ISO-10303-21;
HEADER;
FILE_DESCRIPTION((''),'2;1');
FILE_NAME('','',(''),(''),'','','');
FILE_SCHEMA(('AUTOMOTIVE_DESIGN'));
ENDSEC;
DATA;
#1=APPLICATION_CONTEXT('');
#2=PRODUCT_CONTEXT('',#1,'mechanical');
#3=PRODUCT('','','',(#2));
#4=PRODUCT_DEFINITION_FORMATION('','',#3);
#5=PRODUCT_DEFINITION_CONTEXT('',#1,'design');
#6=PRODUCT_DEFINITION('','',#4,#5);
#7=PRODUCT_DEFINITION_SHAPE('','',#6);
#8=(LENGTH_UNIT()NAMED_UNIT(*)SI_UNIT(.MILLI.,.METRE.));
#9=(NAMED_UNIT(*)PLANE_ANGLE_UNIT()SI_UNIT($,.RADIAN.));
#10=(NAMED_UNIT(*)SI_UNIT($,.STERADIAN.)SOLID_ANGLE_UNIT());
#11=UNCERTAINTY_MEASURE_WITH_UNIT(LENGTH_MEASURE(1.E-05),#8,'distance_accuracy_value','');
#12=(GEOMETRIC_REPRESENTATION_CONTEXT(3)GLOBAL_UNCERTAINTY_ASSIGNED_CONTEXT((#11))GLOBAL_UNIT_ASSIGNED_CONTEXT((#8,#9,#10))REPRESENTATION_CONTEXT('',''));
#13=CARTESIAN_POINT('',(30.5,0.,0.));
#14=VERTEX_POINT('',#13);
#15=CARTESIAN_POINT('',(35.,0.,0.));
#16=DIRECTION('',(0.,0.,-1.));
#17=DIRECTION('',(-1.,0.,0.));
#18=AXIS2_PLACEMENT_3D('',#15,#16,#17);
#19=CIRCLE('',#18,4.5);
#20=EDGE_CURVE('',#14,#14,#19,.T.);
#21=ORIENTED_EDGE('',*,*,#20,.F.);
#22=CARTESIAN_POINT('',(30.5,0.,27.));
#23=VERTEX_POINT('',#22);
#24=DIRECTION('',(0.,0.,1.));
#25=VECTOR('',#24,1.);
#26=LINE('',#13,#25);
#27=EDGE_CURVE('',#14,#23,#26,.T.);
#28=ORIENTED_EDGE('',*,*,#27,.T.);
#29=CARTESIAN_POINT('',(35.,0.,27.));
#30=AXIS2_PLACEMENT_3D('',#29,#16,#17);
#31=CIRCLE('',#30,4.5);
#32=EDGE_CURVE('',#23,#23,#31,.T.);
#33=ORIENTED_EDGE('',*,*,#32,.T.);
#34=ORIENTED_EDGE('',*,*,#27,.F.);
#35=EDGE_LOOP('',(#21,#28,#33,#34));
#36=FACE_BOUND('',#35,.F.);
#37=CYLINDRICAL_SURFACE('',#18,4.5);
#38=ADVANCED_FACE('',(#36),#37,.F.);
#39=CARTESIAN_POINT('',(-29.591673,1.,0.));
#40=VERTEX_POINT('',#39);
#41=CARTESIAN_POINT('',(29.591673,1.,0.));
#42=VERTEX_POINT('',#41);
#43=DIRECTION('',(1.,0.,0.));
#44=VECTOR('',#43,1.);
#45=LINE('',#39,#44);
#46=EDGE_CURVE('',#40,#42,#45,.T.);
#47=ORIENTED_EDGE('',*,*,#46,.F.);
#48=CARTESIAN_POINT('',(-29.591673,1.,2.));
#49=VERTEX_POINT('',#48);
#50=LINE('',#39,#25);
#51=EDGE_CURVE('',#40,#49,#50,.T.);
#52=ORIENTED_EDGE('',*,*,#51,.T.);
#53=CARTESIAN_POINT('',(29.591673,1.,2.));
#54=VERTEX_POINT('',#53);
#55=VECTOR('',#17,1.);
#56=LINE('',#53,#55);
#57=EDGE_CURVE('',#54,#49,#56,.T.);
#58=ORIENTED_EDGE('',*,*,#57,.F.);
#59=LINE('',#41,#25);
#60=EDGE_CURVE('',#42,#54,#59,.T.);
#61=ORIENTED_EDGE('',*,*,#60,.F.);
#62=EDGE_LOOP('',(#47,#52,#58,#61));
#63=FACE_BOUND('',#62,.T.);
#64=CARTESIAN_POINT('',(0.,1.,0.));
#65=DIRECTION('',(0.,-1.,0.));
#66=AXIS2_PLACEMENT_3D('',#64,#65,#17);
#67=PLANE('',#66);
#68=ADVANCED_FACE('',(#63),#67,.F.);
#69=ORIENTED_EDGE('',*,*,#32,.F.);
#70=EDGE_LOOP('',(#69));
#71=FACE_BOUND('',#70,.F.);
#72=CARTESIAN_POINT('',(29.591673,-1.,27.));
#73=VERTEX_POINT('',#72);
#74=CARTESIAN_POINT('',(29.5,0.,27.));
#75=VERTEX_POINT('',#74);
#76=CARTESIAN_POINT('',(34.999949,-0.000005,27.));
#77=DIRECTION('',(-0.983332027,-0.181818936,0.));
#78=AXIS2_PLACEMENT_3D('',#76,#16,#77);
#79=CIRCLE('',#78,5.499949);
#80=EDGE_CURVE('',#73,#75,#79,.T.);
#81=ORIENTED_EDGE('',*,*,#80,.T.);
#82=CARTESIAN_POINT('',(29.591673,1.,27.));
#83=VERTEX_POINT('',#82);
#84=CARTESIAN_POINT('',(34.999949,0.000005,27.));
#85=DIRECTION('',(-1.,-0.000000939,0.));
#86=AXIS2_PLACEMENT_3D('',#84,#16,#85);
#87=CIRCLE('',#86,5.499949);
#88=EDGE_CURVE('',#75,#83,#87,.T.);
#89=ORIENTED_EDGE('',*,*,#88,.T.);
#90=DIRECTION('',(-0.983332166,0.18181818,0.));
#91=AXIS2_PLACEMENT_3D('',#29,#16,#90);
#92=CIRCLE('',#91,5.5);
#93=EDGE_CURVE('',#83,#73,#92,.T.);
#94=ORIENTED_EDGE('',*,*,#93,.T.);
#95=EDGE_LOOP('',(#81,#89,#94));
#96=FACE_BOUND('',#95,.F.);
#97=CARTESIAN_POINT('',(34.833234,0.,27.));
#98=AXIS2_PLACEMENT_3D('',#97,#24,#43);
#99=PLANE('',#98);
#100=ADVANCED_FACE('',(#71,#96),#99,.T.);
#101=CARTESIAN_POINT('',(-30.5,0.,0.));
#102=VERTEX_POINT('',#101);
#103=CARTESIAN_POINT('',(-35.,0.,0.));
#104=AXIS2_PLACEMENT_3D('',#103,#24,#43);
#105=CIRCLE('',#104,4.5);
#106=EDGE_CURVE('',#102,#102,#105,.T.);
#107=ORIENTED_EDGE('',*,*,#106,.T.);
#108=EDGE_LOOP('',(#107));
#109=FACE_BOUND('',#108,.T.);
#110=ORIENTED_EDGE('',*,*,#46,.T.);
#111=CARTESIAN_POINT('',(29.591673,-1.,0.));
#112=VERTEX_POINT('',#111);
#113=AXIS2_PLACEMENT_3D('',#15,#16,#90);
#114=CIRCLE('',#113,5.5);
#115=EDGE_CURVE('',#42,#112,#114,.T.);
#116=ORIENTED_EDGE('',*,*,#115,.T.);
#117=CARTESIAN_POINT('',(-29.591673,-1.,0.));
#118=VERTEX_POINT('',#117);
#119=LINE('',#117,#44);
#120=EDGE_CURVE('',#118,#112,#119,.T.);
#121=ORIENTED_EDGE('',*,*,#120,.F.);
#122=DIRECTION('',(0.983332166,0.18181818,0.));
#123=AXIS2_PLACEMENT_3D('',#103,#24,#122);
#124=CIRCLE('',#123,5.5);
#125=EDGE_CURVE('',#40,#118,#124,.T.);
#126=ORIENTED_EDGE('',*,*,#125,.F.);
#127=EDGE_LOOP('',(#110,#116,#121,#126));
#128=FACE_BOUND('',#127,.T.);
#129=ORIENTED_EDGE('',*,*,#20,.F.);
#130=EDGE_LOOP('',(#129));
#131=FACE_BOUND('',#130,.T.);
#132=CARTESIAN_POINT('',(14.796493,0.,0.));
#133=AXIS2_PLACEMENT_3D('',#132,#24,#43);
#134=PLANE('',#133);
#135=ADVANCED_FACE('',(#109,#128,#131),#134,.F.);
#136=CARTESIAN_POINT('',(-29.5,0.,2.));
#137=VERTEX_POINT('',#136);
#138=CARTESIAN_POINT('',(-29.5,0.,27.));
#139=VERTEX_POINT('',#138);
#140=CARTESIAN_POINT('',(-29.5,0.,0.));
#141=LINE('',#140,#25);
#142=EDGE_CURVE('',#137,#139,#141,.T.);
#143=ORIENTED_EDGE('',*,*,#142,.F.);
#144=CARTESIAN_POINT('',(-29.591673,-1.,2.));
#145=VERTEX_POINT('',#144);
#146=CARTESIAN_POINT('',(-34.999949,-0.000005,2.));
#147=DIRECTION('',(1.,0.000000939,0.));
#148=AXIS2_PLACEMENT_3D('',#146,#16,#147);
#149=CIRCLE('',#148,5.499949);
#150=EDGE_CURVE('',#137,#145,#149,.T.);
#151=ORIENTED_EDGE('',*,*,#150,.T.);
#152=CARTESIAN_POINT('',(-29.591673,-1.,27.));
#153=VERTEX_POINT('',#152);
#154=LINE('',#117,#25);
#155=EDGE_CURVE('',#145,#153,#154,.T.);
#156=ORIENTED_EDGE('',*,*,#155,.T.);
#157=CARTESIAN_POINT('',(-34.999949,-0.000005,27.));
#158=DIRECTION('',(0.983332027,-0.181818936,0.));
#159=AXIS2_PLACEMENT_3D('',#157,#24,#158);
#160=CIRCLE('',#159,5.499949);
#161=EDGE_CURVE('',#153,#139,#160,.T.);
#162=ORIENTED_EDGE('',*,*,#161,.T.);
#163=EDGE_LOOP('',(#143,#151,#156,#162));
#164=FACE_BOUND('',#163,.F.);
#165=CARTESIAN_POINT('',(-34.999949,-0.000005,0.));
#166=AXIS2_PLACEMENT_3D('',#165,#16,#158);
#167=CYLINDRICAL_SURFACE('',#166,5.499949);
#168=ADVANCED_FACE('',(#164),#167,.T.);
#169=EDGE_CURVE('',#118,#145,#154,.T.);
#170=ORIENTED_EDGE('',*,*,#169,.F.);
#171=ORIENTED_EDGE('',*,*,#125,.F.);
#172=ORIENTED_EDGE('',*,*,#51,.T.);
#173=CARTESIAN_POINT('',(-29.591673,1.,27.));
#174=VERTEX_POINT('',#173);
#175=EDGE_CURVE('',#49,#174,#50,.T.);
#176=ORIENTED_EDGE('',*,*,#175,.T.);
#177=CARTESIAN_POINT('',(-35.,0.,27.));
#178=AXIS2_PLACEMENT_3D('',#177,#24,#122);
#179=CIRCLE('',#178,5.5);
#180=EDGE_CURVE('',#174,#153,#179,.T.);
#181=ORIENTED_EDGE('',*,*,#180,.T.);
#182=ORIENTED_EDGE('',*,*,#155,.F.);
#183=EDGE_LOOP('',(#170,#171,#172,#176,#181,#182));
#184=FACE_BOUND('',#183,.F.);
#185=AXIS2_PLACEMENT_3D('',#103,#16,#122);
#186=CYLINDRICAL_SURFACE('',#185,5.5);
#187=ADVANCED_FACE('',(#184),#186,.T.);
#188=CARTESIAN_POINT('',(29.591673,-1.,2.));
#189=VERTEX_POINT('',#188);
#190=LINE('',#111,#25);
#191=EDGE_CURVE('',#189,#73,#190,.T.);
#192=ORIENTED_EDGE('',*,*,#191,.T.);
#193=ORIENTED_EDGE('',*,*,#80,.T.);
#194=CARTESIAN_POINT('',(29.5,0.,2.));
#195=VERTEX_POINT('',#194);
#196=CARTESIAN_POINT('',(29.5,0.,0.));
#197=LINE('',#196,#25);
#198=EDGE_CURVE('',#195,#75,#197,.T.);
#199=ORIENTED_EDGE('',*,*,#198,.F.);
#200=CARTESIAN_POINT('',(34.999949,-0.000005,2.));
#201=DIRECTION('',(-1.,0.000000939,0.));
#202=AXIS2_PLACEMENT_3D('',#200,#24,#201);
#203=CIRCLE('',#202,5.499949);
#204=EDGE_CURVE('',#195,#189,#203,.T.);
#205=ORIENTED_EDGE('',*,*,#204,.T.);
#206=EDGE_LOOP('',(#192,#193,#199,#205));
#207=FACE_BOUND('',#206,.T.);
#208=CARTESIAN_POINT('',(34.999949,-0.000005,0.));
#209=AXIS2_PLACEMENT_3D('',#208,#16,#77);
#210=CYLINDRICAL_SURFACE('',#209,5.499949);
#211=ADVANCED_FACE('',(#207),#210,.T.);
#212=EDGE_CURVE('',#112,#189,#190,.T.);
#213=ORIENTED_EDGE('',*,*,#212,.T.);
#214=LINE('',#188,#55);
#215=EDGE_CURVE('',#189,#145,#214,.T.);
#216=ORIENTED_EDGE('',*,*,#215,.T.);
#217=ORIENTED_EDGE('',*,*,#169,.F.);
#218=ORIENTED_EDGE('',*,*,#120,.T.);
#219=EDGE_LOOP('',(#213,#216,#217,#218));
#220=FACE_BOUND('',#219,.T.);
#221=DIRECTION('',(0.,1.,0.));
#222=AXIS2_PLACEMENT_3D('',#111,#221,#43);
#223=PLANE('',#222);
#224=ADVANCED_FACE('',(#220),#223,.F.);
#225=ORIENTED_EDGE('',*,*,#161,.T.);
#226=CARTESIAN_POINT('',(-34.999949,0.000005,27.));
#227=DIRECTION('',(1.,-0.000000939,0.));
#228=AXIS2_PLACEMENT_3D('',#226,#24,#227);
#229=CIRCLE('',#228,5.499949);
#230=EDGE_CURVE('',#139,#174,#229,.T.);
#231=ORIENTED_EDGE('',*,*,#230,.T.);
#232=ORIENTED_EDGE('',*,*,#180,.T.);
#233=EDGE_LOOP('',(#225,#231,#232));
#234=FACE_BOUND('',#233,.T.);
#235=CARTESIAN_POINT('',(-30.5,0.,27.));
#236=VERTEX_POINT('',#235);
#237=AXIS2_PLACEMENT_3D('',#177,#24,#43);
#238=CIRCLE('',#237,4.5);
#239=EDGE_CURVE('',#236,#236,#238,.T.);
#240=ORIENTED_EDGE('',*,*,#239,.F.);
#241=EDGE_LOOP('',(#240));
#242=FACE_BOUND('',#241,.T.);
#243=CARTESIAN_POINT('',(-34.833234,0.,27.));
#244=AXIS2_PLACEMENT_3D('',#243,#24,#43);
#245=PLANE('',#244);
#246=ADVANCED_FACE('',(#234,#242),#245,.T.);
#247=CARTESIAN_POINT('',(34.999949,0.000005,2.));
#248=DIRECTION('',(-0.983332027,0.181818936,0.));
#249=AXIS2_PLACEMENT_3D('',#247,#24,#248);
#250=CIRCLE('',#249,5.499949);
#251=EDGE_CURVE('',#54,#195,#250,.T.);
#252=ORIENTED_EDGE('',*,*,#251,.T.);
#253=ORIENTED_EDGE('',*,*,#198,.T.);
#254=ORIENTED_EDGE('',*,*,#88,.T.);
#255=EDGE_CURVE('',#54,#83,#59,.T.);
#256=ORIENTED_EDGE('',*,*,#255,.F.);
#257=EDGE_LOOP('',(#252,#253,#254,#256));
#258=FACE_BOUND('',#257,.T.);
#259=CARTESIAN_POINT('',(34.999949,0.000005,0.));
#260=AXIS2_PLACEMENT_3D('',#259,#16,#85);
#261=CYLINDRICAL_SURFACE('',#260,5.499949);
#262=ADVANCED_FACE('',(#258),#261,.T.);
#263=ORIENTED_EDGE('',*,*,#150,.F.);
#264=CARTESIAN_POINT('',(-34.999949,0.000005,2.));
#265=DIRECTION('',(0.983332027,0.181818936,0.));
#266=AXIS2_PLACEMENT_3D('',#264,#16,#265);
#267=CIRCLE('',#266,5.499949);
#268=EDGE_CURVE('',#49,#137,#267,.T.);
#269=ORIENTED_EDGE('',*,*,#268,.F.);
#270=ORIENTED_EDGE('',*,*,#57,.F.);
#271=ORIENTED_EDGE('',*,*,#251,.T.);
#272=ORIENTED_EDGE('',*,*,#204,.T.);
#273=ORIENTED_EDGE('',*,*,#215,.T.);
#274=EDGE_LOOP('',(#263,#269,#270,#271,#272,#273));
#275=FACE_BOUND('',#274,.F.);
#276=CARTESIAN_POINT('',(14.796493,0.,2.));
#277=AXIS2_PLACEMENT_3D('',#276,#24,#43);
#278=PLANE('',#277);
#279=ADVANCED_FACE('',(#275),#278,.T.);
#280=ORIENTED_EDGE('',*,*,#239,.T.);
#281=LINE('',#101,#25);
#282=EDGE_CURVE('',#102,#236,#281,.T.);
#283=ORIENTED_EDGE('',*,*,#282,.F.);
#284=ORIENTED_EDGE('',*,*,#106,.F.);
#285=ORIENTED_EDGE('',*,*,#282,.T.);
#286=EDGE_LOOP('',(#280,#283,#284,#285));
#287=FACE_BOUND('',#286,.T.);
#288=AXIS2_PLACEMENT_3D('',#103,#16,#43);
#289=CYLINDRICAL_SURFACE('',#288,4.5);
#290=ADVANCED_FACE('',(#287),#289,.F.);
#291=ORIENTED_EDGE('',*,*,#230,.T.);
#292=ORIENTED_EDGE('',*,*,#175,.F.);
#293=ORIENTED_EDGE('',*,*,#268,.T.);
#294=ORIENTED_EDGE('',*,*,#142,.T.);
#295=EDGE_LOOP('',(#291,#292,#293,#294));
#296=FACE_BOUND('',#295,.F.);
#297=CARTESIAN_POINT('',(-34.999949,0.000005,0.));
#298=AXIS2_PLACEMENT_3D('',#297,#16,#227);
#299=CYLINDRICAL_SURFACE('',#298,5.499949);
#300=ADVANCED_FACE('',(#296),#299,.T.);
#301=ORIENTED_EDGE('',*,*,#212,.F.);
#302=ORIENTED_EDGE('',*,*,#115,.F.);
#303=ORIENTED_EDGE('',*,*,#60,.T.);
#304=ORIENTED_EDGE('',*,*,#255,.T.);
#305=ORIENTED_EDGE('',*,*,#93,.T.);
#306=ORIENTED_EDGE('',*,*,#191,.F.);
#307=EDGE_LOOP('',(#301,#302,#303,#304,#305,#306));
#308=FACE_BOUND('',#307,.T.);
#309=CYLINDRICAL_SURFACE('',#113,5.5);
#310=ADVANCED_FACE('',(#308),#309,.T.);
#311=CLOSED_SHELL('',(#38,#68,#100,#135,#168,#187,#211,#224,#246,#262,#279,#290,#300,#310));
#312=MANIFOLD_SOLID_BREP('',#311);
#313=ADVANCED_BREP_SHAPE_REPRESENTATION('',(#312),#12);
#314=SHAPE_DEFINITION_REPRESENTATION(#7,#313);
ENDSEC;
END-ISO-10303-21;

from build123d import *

# Parameters (mm, degrees)
F0_R     = 4.5
F1_DEPTH = 27
F2_DEPTH = 2


with BuildPart() as f1:
    # F0 (on Top) → F1 (new body)
    with BuildSketch(Plane.XY):
        with BuildLine():
            ThreePointArc((-29.591673, -1), (-29.522966, -0.502097), (-29.5, 0))
            ThreePointArc((-29.5, 0), (-29.522966, 0.502097), (-29.591673, 1))
            ThreePointArc((-29.591673, 1), (-40.5, 0), (-29.591673, -1))
        make_face()
        with Locations((-35, 0)):
            Circle(F0_R, mode=Mode.SUBTRACT)
    extrude(amount=F1_DEPTH)

    # F0 (on Top) → F2 (join)
    with BuildSketch(Plane.XY):
        with BuildLine():
            ThreePointArc((-29.591673, 1), (-29.522966, 0.502097), (-29.5, 0))
            ThreePointArc((-29.5, 0), (-29.522966, -0.502097), (-29.591673, -1))
            Line((-29.591673, -1), (0, -1))
            Line((0, -1), (0, 1))
            Line((0, 1), (-29.591673, 1))
        make_face()
    extrude(amount=F2_DEPTH)

    # F3: F1 across plane


with BuildPart() as f1_1:
    add(f1.part)
    add(f1.part.mirror(Plane.YZ))


solid = f1_1.part
